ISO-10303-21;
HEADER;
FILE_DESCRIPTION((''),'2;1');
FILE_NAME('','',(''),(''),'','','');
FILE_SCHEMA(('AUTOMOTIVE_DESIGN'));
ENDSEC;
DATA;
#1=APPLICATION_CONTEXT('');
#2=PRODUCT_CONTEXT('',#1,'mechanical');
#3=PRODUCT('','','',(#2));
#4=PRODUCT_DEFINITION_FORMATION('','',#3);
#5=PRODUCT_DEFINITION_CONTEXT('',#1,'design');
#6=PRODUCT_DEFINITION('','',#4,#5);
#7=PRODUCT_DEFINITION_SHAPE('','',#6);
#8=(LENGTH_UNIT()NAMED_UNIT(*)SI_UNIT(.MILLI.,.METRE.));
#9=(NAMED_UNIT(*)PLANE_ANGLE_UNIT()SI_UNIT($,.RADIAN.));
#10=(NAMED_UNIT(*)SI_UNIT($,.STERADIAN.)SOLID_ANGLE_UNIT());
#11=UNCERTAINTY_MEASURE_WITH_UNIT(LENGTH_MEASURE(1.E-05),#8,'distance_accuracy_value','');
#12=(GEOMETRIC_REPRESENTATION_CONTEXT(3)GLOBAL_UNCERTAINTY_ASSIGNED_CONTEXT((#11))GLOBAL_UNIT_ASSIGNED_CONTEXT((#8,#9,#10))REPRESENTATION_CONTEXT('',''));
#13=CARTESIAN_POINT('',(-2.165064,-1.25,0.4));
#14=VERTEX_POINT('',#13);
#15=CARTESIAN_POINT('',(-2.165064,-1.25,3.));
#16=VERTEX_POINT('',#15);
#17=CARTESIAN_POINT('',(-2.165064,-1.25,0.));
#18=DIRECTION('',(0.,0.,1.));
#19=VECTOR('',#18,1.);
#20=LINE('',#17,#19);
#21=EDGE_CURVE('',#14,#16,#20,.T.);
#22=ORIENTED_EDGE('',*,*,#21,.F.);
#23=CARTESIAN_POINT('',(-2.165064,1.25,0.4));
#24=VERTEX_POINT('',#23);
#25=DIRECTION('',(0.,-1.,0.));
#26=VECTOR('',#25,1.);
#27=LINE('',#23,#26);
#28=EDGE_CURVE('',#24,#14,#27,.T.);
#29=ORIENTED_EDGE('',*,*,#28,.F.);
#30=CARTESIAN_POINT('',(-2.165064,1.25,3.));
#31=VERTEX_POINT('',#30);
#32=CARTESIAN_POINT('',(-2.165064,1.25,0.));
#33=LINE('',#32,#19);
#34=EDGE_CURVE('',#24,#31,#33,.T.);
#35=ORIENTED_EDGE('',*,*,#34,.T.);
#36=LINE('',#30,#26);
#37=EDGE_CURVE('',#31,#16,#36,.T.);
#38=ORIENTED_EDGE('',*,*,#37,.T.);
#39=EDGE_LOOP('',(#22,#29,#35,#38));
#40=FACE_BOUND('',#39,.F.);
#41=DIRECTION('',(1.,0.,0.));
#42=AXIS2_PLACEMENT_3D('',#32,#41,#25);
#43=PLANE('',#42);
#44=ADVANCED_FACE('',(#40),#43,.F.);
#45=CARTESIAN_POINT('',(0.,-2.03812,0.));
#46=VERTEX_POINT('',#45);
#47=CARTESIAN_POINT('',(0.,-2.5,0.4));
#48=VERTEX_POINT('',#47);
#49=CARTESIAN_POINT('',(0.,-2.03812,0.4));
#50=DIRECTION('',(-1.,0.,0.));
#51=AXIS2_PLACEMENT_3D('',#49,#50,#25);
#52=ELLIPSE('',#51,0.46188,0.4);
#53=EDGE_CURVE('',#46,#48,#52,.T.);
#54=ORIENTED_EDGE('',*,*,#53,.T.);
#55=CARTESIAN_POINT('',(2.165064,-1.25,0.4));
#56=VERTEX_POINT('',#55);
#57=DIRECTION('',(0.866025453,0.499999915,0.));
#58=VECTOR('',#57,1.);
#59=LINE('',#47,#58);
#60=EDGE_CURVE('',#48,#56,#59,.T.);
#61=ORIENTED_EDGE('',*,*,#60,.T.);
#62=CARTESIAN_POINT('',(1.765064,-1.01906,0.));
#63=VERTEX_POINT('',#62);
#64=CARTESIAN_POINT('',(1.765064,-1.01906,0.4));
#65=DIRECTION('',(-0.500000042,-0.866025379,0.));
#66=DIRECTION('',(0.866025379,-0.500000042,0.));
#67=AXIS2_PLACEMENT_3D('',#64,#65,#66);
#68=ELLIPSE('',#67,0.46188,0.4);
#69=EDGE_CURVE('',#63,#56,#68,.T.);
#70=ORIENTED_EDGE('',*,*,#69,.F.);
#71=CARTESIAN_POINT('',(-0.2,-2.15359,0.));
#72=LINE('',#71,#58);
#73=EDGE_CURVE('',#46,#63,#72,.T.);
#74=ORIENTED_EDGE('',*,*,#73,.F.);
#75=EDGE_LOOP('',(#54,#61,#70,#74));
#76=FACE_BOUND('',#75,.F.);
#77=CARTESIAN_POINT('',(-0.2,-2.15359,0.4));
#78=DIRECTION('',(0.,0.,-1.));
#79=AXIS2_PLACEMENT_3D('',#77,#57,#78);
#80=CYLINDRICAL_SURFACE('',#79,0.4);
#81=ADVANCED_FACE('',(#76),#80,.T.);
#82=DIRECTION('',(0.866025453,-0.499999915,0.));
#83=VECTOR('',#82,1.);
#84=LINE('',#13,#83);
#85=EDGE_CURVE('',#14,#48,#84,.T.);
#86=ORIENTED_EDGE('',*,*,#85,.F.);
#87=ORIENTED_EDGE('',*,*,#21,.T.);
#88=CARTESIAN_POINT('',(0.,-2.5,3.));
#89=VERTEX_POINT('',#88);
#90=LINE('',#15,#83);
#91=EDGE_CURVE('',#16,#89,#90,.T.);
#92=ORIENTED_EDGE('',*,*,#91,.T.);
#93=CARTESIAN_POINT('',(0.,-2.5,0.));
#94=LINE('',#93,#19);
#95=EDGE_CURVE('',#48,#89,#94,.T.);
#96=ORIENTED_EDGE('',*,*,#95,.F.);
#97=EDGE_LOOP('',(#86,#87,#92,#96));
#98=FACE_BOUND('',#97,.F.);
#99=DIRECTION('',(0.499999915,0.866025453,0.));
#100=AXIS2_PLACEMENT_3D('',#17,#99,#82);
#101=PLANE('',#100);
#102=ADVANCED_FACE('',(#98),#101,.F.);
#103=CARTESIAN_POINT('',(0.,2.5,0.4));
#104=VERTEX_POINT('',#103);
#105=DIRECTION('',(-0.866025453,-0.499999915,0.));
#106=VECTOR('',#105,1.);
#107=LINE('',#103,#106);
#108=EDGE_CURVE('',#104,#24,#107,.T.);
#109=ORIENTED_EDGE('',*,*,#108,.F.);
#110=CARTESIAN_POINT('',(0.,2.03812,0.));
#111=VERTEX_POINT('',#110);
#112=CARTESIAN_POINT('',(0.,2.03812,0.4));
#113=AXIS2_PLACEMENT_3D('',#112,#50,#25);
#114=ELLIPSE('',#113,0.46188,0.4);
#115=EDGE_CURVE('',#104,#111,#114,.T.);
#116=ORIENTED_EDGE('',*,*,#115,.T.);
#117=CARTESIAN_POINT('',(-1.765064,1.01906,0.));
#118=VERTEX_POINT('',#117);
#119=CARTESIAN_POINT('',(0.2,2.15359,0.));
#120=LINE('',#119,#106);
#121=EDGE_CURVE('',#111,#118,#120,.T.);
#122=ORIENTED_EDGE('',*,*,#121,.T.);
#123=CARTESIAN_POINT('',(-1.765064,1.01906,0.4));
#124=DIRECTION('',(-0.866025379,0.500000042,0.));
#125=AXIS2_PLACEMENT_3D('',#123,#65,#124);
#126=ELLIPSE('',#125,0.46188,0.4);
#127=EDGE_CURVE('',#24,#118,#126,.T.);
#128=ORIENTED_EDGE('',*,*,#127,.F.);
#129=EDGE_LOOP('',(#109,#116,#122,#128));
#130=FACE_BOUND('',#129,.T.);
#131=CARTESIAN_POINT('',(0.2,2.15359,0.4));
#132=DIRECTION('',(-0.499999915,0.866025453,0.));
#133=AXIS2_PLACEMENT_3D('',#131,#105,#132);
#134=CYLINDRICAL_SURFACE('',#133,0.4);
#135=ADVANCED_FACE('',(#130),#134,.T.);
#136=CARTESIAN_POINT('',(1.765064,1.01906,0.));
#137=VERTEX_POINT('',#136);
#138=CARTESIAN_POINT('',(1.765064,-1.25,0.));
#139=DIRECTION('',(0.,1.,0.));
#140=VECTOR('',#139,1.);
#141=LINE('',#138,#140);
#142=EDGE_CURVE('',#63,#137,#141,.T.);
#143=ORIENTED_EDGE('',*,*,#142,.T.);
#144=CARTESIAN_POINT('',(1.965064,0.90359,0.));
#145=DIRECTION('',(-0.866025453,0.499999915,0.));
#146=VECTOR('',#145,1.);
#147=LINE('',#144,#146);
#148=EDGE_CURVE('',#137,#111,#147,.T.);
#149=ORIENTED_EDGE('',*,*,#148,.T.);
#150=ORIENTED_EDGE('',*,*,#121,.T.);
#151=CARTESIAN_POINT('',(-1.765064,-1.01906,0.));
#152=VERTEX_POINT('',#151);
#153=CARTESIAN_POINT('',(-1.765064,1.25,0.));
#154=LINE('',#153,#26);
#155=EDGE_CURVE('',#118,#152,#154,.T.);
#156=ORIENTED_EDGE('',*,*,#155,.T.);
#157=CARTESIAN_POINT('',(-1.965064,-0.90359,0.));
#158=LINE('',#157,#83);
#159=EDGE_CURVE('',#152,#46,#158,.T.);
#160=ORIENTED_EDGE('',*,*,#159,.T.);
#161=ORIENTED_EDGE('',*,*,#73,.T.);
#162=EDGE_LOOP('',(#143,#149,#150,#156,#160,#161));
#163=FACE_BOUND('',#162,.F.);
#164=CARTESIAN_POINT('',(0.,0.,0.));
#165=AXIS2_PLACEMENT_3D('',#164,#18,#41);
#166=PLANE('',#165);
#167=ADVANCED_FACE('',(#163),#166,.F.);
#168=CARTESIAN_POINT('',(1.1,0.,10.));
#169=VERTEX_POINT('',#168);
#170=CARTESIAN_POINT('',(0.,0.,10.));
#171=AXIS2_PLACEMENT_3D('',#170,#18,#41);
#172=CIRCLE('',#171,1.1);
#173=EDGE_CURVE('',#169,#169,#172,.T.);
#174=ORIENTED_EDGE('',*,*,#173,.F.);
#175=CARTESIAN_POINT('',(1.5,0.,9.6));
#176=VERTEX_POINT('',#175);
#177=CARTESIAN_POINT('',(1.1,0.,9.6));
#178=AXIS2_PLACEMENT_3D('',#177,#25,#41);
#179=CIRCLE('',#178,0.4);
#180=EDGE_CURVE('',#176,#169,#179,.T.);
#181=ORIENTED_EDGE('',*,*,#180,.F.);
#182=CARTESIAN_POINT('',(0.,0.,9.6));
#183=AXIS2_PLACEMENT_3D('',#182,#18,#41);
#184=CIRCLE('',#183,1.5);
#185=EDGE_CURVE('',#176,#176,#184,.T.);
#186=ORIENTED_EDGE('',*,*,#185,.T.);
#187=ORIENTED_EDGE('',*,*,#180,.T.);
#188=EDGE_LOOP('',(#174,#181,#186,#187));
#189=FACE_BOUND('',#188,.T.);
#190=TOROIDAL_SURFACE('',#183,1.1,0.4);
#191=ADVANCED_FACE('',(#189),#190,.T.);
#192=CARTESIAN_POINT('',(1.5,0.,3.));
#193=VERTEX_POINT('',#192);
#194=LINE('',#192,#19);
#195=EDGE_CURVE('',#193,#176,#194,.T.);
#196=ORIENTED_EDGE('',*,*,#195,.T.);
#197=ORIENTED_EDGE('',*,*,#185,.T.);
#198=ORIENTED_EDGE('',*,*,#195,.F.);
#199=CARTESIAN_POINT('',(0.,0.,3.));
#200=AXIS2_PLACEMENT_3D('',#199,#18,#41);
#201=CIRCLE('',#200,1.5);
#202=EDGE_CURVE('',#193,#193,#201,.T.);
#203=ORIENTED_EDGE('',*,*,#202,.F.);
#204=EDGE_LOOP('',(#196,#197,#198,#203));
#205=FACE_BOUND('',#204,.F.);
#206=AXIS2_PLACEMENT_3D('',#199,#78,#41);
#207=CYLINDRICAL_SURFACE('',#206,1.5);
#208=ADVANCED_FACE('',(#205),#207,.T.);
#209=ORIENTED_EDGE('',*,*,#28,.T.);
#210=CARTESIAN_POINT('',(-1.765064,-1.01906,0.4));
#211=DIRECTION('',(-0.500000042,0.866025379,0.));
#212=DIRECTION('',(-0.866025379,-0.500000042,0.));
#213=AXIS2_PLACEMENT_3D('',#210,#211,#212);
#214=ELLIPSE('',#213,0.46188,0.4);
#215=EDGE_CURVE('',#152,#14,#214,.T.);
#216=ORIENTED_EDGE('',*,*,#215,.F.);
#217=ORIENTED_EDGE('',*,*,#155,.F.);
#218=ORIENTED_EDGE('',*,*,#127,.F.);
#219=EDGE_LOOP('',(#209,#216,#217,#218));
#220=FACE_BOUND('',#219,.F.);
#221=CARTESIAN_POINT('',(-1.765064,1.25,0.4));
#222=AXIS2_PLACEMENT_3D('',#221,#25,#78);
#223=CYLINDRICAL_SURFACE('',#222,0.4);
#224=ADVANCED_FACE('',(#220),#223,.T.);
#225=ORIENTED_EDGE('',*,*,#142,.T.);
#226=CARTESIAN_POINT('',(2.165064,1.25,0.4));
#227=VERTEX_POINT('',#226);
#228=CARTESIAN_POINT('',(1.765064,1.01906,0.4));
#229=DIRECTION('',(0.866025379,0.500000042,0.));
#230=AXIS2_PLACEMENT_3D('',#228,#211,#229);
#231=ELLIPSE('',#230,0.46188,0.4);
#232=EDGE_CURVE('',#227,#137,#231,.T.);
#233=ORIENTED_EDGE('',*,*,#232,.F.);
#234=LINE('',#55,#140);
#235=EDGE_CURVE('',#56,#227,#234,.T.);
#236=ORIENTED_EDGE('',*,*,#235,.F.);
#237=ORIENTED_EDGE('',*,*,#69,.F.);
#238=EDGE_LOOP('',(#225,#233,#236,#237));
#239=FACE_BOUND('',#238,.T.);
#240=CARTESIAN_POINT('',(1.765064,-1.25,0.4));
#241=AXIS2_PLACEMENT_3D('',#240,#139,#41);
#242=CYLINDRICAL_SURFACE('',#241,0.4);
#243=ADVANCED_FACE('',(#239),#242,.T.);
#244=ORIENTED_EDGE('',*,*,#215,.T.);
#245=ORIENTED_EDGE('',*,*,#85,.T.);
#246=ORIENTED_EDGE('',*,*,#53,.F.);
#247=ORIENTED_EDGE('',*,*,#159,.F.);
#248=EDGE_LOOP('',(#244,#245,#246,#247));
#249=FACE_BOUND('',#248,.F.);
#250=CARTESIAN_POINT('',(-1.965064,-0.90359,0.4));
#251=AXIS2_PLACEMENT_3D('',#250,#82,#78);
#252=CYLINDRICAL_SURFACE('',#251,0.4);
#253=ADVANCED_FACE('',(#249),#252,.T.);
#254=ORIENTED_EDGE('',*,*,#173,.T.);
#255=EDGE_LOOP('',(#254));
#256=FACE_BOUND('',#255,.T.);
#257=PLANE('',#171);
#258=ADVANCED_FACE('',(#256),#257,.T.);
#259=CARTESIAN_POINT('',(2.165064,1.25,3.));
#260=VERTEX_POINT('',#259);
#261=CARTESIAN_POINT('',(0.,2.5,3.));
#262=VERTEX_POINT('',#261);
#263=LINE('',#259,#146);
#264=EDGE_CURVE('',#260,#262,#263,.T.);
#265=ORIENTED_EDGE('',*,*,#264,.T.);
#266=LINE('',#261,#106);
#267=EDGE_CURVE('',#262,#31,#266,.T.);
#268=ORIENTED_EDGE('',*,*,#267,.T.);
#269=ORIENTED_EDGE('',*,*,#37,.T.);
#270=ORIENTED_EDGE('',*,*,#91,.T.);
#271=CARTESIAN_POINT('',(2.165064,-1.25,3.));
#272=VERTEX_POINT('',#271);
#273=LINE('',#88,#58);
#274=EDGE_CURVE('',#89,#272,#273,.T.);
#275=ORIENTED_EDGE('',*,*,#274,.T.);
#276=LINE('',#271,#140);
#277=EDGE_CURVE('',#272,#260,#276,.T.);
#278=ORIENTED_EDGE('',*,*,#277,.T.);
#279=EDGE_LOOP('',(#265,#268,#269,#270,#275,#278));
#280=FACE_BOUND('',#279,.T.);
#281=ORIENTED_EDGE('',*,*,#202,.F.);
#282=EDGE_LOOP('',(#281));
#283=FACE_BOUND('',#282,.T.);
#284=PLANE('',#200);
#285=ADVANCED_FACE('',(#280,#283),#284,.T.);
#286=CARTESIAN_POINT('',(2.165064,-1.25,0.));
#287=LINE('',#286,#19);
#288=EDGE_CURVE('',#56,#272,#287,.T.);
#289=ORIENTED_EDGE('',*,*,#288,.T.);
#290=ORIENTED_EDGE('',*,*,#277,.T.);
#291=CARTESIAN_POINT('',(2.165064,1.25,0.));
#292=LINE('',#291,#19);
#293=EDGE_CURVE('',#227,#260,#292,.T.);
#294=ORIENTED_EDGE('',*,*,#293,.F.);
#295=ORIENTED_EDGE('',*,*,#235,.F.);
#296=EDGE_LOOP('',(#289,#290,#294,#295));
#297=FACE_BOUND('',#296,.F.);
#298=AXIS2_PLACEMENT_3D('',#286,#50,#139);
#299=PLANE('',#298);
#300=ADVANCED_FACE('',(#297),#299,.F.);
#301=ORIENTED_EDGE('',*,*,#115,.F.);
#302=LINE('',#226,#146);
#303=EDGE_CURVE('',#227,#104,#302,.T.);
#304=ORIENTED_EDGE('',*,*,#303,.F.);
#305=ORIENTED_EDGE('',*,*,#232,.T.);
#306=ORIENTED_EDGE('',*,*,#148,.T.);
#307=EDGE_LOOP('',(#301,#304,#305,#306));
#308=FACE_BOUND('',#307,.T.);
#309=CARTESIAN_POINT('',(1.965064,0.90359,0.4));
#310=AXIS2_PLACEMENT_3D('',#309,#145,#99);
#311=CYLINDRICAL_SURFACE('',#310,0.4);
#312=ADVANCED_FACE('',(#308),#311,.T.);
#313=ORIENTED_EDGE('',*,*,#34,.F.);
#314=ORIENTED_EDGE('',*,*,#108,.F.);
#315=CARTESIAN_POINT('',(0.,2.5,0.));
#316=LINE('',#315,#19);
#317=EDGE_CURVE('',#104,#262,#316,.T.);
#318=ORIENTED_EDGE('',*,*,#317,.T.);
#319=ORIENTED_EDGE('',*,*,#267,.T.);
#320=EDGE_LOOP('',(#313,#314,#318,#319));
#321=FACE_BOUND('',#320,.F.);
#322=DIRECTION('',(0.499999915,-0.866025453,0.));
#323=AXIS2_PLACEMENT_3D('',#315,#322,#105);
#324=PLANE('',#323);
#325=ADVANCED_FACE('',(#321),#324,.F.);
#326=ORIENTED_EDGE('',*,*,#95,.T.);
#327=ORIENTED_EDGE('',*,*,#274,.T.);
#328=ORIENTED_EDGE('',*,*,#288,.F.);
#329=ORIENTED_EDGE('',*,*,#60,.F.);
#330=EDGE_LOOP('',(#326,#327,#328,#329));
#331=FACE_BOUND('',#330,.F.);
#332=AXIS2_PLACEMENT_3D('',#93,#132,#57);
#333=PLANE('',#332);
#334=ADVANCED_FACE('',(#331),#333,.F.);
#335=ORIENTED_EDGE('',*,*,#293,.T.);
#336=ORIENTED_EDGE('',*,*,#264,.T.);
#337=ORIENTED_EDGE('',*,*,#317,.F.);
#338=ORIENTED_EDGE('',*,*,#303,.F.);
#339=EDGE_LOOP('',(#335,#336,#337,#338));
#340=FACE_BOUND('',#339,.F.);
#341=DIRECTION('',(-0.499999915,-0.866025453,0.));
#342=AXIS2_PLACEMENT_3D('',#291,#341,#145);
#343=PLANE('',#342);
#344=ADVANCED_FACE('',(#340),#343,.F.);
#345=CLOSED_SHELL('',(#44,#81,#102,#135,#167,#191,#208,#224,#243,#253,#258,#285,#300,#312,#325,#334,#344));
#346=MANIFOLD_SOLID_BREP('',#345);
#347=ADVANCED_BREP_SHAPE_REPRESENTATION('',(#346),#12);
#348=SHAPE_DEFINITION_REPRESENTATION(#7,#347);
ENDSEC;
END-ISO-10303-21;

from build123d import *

# Parameters (mm, degrees)
F1_DEPTH = 3
F2_R     = 1.5
F3_DEPTH = 7
F4_R     = 0.4


with BuildPart() as f1:
    # F0 (on Top) → F1 (new body)
    with BuildSketch(Plane.XY):
        Polygon((2.165064, 1.25), (0, 2.5), (-2.165064, 1.25), (-2.165064, -1.25), (0, -2.5), (2.165064, -1.25), align=None)
    extrude(amount=F1_DEPTH)

    # F2 (on face) → F3 (join)
    with BuildSketch(Plane.XY.offset(3)):
        Circle(F2_R)
    extrude(amount=F3_DEPTH)

    # F4
    f4_edges = [f1.edges().sort_by_distance(p)[0] for p in [
        (-1.082532, 1.875, 0),
        (-2.165064, 0, 0),
        (-1.082532, -1.875, 0),
        (1.082532, -1.875, 0),
        (2.165064, 0, 0),
        (1.082532, 1.875, 0),
        (-1.5, 0, 10),
    ]]
    fillet(f4_edges, radius=F4_R)


solid = f1.part
